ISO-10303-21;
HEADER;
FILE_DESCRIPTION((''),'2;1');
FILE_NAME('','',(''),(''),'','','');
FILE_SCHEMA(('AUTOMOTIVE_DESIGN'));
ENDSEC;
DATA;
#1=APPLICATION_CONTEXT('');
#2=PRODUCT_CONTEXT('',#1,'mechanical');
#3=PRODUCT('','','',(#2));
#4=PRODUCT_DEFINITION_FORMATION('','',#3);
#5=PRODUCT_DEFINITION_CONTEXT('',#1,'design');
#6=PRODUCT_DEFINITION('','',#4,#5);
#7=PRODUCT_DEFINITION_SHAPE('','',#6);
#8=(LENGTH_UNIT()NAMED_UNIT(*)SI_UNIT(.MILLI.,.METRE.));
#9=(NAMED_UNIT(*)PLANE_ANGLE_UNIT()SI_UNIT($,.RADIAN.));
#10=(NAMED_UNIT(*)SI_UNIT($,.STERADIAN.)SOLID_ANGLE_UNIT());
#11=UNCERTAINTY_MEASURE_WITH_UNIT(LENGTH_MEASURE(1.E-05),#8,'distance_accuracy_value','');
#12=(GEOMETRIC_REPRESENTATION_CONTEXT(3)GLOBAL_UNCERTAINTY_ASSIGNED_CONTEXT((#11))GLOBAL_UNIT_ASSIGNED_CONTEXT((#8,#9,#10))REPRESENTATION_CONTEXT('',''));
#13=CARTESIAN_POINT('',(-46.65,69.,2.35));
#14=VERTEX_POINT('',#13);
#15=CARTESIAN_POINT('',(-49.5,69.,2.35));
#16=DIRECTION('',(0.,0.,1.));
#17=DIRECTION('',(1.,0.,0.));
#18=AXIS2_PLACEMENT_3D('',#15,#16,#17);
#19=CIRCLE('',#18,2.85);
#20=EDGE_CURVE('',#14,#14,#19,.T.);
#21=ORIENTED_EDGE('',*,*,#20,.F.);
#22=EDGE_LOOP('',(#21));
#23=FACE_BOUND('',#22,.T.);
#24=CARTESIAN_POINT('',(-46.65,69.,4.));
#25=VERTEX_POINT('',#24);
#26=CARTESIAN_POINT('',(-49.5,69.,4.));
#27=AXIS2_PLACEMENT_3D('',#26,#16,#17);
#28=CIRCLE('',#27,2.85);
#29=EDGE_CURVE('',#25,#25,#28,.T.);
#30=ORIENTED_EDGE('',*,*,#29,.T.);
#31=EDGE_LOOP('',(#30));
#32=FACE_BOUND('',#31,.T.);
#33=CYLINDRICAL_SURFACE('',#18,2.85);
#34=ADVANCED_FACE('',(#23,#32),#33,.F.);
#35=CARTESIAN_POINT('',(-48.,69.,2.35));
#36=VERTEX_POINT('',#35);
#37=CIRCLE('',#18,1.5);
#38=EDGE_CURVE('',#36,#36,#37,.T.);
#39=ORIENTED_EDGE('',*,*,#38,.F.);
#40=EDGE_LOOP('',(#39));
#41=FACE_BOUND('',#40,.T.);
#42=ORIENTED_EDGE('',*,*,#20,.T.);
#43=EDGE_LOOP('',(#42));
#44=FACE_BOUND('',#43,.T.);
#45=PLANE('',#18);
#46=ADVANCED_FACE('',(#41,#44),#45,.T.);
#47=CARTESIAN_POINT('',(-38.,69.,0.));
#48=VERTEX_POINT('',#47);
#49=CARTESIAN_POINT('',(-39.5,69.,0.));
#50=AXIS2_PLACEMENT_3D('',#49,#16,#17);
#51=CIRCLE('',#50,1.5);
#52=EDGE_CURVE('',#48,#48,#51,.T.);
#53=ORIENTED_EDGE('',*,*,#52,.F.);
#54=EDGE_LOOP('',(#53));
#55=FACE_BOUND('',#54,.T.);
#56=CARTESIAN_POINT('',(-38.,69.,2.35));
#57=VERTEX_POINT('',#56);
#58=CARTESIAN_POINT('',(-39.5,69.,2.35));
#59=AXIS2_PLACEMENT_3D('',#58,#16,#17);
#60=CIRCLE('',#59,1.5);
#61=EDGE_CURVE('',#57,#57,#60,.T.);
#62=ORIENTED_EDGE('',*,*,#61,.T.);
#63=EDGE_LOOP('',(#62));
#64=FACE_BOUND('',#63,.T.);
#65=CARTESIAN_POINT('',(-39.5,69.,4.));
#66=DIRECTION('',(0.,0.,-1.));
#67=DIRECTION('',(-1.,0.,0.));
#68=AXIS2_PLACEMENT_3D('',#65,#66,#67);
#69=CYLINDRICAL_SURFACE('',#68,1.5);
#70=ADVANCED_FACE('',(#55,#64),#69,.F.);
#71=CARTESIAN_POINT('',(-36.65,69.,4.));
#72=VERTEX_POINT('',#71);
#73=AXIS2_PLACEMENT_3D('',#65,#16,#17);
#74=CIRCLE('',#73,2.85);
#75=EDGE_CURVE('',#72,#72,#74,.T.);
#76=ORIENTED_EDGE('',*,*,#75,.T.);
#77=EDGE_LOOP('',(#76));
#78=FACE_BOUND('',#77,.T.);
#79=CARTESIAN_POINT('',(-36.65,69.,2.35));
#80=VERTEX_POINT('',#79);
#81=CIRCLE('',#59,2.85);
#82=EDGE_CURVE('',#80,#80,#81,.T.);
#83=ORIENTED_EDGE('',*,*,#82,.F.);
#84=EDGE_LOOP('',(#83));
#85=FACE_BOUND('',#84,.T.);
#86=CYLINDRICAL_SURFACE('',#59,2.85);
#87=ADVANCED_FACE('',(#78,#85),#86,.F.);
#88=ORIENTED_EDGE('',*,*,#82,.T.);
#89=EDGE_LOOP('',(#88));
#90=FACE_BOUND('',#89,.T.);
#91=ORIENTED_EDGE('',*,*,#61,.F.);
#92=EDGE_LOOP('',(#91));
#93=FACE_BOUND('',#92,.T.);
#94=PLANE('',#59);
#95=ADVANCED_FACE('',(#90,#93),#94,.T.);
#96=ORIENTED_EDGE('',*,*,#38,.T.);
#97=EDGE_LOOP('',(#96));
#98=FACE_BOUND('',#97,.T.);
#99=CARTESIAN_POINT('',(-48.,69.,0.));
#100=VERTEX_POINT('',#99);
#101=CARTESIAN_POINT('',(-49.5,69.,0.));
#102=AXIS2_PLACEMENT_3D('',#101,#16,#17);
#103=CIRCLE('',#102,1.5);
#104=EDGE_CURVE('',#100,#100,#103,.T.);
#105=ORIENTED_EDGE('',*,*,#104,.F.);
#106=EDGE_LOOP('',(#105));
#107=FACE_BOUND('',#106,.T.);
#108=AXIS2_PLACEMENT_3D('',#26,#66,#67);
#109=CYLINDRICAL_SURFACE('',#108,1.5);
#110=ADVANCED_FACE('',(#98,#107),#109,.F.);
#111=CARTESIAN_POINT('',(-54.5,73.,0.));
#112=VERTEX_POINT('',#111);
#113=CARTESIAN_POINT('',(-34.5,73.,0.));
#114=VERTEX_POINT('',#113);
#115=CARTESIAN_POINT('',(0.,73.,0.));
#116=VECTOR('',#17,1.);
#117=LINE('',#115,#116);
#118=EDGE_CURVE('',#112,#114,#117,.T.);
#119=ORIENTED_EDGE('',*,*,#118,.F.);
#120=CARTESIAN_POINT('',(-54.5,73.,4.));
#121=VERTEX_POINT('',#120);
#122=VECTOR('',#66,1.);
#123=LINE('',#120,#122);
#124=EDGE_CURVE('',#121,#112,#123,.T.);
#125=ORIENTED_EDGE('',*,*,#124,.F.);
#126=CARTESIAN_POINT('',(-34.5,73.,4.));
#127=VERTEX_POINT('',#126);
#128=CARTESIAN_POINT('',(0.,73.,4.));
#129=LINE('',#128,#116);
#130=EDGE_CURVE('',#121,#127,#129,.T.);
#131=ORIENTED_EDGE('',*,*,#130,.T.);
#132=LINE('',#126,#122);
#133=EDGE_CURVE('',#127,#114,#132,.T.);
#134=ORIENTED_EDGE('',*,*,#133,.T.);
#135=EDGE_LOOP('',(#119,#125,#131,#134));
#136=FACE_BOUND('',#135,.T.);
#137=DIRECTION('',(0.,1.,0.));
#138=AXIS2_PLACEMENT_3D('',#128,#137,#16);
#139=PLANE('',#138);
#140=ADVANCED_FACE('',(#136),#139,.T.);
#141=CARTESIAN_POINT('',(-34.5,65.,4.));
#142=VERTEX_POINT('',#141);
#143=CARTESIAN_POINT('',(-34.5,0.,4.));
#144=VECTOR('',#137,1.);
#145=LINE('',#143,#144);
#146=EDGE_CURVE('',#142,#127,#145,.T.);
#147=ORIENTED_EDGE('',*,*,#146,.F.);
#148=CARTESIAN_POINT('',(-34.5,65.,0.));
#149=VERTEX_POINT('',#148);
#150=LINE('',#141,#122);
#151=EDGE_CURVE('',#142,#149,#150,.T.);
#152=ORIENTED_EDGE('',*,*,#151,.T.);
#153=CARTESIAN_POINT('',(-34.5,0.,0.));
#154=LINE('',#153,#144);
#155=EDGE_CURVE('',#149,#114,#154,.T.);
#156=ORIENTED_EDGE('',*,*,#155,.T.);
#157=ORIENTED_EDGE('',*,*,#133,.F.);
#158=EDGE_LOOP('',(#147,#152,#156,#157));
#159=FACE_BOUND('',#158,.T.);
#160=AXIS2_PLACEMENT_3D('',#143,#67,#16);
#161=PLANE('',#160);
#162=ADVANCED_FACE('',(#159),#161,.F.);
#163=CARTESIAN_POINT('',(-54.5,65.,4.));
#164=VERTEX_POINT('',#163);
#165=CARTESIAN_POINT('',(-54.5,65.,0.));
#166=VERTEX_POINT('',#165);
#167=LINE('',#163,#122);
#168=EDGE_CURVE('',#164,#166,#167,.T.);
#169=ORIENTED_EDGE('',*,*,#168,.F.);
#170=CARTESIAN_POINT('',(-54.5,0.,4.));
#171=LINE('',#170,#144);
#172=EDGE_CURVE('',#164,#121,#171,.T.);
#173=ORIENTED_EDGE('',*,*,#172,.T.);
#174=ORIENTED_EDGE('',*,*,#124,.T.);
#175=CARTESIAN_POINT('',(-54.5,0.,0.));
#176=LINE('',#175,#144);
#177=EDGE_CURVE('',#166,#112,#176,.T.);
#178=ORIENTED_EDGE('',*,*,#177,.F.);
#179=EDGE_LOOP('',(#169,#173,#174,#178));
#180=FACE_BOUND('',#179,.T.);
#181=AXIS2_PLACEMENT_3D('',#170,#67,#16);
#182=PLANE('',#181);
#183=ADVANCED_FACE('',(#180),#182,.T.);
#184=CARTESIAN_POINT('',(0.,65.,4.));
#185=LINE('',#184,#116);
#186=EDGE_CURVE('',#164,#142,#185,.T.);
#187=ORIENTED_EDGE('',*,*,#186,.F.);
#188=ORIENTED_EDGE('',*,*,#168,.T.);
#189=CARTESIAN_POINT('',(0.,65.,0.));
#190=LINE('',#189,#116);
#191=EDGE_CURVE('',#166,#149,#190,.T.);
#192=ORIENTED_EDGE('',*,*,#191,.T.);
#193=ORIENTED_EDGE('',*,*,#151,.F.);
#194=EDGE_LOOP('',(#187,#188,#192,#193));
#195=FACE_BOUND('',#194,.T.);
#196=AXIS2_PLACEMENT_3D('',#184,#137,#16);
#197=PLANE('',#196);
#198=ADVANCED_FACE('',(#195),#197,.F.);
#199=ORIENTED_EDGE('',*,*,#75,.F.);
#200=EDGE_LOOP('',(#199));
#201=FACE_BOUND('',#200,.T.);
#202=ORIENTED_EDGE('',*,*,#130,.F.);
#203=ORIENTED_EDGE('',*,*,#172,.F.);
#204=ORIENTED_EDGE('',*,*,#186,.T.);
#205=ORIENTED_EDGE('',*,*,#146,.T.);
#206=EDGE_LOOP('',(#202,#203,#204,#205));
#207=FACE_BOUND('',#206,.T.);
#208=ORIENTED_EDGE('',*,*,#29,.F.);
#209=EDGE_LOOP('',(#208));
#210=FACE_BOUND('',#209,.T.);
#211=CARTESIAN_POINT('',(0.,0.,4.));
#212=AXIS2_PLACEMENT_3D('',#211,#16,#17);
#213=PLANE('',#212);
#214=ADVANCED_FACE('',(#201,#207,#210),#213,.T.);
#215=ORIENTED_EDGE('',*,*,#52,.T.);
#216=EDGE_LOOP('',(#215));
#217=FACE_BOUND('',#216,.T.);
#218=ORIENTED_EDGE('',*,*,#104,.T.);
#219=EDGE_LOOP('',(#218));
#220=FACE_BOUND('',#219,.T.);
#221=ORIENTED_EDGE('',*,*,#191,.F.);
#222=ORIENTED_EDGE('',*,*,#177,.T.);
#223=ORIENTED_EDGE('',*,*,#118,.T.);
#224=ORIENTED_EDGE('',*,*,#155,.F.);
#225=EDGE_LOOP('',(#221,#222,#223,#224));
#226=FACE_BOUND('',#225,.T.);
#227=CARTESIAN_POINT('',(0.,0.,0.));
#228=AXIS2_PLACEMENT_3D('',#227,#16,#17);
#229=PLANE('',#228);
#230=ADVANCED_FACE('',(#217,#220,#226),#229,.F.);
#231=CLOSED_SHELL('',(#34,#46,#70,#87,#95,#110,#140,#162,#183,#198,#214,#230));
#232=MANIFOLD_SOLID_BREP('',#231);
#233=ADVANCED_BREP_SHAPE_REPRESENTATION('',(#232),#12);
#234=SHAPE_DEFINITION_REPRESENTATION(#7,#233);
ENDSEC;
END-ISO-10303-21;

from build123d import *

# Parameters (mm, degrees)
CROQUIS1_W              = 10
CROQUIS1_H              = 8
CROQUIS1_R              = 1.5
SALIENTE_EXTRUIR1_DEPTH = 4
CROQUIS2_R              = 2.85
CORTAR_EXTRUIR1_DEPTH   = 1.65


with BuildPart() as part:
    # Croquis1 → Saliente-Extruir1 (new body)
    # profile 1 of 2: a face of its own
    with BuildSketch(Plane.XY):
        with Locations((-39.5, 69)):
            Rectangle(CROQUIS1_W, CROQUIS1_H)
        with Locations((-39.5, 69)):
            Circle(CROQUIS1_R, mode=Mode.SUBTRACT)
    # profile 2 of 2: a face of its own
    with BuildSketch(Plane.XY):
        with Locations((-49.5, 69)):
            Rectangle(CROQUIS1_W, CROQUIS1_H)
        with Locations((-49.5, 69)):
            Circle(CROQUIS1_R, mode=Mode.SUBTRACT)
    extrude(amount=SALIENTE_EXTRUIR1_DEPTH)

    # Croquis2 → Cortar-Extruir1 (cut)
    with BuildSketch(Plane.XY.offset(4)):
        with Locations((-49.5, 69)):
            Circle(CROQUIS2_R)
        with Locations((-39.5, 69)):
            Circle(CROQUIS2_R)
    extrude(amount=-CORTAR_EXTRUIR1_DEPTH, mode=Mode.SUBTRACT)


solid = part.part
